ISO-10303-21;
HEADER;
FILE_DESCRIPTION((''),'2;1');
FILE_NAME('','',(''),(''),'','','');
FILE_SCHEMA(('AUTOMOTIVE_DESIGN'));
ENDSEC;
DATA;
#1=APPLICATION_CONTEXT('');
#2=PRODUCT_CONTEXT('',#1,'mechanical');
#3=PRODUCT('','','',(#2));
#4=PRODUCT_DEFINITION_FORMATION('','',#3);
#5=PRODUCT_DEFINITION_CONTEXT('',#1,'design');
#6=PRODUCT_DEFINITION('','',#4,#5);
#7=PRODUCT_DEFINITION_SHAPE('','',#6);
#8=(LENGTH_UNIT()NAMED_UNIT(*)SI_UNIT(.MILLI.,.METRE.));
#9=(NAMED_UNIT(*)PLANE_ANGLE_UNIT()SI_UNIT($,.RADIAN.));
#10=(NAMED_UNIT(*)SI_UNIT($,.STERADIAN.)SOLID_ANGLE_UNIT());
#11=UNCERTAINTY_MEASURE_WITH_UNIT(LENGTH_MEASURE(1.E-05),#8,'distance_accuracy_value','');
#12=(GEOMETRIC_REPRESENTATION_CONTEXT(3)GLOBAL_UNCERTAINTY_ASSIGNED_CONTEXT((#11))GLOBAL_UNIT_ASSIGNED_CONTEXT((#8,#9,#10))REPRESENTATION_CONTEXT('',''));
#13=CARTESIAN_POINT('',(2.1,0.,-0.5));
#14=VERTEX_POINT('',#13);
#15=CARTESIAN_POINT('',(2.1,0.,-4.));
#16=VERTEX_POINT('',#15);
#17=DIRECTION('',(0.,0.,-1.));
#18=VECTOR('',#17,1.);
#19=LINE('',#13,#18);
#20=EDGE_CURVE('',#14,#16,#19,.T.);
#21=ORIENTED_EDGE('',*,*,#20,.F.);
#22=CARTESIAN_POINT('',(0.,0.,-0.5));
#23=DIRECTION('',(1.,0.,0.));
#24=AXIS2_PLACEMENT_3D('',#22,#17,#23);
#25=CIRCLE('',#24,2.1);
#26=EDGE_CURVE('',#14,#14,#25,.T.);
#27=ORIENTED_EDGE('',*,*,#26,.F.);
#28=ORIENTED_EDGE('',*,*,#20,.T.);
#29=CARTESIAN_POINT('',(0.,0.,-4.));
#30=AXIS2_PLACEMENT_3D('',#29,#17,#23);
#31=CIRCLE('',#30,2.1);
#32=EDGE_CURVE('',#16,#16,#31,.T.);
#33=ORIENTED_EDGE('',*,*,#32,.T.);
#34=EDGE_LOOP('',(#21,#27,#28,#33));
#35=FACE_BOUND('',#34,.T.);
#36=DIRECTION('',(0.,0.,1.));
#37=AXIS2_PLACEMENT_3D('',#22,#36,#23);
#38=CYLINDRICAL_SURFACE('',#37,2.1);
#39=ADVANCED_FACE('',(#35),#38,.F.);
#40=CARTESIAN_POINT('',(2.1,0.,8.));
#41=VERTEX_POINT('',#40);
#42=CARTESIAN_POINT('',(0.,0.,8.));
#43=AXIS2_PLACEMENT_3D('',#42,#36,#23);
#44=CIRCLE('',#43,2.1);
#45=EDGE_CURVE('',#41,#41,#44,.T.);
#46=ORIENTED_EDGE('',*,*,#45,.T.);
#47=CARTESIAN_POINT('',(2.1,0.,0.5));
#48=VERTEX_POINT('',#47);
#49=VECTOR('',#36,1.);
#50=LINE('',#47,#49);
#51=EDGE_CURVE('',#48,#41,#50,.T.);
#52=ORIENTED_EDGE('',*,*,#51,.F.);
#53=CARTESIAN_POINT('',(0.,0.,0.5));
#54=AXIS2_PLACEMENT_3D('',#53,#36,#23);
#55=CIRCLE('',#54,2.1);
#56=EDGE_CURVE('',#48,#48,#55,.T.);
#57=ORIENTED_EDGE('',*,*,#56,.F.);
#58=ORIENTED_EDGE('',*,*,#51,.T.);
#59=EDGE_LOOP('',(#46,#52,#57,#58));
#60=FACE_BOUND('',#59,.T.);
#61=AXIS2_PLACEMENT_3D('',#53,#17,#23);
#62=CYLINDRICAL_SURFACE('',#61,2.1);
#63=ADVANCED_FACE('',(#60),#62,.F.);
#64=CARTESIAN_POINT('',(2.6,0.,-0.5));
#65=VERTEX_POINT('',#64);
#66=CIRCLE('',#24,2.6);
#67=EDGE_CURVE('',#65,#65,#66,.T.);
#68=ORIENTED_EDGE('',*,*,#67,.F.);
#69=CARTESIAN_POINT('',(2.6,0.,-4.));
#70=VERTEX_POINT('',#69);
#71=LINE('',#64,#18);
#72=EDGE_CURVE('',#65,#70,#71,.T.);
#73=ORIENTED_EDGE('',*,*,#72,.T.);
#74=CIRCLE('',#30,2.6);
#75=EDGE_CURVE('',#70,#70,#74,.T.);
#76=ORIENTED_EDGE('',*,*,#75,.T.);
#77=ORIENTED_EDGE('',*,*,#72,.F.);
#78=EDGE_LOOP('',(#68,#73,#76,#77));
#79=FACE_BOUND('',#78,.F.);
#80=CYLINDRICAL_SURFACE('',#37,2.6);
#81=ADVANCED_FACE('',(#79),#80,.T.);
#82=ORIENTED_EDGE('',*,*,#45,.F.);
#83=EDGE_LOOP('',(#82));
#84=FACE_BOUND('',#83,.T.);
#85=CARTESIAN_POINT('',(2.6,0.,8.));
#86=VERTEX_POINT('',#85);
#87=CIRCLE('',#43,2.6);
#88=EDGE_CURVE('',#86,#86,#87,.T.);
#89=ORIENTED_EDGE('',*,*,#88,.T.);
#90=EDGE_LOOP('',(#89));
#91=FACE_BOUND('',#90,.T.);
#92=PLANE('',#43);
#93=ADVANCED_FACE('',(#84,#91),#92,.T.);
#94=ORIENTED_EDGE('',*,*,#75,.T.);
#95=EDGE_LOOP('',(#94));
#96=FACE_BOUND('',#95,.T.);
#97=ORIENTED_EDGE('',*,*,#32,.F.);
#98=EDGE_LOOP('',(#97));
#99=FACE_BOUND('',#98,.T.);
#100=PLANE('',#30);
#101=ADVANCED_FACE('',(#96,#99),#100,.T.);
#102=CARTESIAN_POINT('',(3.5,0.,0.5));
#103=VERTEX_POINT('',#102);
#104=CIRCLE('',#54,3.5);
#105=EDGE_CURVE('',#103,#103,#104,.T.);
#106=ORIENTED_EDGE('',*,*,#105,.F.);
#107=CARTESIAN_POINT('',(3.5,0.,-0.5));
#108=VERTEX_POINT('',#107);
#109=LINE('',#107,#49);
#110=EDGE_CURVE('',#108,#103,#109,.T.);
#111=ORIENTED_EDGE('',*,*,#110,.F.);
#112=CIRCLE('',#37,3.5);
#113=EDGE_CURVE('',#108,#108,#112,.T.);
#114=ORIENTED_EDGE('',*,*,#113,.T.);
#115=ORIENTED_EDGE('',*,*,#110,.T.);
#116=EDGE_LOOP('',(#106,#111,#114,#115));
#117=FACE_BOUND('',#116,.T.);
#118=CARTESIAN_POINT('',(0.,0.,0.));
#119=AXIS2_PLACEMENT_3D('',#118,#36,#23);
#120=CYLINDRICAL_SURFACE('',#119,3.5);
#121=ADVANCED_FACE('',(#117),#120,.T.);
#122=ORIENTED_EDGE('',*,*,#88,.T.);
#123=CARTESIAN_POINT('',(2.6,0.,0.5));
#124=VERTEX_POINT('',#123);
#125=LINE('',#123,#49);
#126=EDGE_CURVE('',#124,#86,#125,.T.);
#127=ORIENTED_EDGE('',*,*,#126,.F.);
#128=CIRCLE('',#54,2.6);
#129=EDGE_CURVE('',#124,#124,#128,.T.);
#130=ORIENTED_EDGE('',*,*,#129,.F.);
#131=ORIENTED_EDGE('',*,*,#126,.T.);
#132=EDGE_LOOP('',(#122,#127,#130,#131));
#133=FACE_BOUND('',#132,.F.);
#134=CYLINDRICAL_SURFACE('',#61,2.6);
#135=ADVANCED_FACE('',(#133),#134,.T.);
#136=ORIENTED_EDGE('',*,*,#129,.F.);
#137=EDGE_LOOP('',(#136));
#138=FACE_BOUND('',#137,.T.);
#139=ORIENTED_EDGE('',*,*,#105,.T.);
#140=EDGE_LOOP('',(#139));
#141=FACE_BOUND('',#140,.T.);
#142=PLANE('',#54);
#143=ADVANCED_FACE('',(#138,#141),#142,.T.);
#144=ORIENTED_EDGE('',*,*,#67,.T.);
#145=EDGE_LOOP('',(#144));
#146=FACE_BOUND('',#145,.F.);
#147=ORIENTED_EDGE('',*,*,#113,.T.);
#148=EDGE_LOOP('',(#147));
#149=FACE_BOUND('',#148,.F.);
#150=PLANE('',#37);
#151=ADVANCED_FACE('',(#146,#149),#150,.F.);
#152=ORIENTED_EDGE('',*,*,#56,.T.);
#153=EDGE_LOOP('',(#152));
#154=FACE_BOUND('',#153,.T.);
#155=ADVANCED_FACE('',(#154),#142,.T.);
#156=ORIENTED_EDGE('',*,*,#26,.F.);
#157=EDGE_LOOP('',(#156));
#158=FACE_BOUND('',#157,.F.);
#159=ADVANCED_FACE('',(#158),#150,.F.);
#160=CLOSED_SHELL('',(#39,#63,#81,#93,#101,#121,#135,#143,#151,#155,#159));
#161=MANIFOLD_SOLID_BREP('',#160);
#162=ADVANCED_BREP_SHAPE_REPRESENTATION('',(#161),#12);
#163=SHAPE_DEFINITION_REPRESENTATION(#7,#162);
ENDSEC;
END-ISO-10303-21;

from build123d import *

# Parameters (mm, degrees)
F0_R     = 3.5
F1_DEPTH = 0.5
F2_R     = 2.6
F2_R_2   = 2.1
F3_DEPTH = 7.5
F4_R     = 2.6
F4_R_2   = 2.1
F5_DEPTH = 3.5


with BuildPart() as f1:
    # F0 (on Top) → F1 (new body, symmetric)
    with BuildSketch(Plane.XY):
        Circle(F0_R)
    extrude(amount=F1_DEPTH, both=True)

    # F2 (on face) → F3 (join)
    with BuildSketch(Plane.XY.offset(0.5)):
        Circle(F2_R)
        Circle(F2_R_2, mode=Mode.SUBTRACT)
    extrude(amount=F3_DEPTH)

    # F4 (on face) → F5 (join)
    with BuildSketch(Plane(origin=(0, 0, -0.5), x_dir=(1, 0, 0), z_dir=(0, 0, -1))):
        Circle(F4_R)
        Circle(F4_R_2, mode=Mode.SUBTRACT)
    extrude(amount=F5_DEPTH)


solid = f1.part
